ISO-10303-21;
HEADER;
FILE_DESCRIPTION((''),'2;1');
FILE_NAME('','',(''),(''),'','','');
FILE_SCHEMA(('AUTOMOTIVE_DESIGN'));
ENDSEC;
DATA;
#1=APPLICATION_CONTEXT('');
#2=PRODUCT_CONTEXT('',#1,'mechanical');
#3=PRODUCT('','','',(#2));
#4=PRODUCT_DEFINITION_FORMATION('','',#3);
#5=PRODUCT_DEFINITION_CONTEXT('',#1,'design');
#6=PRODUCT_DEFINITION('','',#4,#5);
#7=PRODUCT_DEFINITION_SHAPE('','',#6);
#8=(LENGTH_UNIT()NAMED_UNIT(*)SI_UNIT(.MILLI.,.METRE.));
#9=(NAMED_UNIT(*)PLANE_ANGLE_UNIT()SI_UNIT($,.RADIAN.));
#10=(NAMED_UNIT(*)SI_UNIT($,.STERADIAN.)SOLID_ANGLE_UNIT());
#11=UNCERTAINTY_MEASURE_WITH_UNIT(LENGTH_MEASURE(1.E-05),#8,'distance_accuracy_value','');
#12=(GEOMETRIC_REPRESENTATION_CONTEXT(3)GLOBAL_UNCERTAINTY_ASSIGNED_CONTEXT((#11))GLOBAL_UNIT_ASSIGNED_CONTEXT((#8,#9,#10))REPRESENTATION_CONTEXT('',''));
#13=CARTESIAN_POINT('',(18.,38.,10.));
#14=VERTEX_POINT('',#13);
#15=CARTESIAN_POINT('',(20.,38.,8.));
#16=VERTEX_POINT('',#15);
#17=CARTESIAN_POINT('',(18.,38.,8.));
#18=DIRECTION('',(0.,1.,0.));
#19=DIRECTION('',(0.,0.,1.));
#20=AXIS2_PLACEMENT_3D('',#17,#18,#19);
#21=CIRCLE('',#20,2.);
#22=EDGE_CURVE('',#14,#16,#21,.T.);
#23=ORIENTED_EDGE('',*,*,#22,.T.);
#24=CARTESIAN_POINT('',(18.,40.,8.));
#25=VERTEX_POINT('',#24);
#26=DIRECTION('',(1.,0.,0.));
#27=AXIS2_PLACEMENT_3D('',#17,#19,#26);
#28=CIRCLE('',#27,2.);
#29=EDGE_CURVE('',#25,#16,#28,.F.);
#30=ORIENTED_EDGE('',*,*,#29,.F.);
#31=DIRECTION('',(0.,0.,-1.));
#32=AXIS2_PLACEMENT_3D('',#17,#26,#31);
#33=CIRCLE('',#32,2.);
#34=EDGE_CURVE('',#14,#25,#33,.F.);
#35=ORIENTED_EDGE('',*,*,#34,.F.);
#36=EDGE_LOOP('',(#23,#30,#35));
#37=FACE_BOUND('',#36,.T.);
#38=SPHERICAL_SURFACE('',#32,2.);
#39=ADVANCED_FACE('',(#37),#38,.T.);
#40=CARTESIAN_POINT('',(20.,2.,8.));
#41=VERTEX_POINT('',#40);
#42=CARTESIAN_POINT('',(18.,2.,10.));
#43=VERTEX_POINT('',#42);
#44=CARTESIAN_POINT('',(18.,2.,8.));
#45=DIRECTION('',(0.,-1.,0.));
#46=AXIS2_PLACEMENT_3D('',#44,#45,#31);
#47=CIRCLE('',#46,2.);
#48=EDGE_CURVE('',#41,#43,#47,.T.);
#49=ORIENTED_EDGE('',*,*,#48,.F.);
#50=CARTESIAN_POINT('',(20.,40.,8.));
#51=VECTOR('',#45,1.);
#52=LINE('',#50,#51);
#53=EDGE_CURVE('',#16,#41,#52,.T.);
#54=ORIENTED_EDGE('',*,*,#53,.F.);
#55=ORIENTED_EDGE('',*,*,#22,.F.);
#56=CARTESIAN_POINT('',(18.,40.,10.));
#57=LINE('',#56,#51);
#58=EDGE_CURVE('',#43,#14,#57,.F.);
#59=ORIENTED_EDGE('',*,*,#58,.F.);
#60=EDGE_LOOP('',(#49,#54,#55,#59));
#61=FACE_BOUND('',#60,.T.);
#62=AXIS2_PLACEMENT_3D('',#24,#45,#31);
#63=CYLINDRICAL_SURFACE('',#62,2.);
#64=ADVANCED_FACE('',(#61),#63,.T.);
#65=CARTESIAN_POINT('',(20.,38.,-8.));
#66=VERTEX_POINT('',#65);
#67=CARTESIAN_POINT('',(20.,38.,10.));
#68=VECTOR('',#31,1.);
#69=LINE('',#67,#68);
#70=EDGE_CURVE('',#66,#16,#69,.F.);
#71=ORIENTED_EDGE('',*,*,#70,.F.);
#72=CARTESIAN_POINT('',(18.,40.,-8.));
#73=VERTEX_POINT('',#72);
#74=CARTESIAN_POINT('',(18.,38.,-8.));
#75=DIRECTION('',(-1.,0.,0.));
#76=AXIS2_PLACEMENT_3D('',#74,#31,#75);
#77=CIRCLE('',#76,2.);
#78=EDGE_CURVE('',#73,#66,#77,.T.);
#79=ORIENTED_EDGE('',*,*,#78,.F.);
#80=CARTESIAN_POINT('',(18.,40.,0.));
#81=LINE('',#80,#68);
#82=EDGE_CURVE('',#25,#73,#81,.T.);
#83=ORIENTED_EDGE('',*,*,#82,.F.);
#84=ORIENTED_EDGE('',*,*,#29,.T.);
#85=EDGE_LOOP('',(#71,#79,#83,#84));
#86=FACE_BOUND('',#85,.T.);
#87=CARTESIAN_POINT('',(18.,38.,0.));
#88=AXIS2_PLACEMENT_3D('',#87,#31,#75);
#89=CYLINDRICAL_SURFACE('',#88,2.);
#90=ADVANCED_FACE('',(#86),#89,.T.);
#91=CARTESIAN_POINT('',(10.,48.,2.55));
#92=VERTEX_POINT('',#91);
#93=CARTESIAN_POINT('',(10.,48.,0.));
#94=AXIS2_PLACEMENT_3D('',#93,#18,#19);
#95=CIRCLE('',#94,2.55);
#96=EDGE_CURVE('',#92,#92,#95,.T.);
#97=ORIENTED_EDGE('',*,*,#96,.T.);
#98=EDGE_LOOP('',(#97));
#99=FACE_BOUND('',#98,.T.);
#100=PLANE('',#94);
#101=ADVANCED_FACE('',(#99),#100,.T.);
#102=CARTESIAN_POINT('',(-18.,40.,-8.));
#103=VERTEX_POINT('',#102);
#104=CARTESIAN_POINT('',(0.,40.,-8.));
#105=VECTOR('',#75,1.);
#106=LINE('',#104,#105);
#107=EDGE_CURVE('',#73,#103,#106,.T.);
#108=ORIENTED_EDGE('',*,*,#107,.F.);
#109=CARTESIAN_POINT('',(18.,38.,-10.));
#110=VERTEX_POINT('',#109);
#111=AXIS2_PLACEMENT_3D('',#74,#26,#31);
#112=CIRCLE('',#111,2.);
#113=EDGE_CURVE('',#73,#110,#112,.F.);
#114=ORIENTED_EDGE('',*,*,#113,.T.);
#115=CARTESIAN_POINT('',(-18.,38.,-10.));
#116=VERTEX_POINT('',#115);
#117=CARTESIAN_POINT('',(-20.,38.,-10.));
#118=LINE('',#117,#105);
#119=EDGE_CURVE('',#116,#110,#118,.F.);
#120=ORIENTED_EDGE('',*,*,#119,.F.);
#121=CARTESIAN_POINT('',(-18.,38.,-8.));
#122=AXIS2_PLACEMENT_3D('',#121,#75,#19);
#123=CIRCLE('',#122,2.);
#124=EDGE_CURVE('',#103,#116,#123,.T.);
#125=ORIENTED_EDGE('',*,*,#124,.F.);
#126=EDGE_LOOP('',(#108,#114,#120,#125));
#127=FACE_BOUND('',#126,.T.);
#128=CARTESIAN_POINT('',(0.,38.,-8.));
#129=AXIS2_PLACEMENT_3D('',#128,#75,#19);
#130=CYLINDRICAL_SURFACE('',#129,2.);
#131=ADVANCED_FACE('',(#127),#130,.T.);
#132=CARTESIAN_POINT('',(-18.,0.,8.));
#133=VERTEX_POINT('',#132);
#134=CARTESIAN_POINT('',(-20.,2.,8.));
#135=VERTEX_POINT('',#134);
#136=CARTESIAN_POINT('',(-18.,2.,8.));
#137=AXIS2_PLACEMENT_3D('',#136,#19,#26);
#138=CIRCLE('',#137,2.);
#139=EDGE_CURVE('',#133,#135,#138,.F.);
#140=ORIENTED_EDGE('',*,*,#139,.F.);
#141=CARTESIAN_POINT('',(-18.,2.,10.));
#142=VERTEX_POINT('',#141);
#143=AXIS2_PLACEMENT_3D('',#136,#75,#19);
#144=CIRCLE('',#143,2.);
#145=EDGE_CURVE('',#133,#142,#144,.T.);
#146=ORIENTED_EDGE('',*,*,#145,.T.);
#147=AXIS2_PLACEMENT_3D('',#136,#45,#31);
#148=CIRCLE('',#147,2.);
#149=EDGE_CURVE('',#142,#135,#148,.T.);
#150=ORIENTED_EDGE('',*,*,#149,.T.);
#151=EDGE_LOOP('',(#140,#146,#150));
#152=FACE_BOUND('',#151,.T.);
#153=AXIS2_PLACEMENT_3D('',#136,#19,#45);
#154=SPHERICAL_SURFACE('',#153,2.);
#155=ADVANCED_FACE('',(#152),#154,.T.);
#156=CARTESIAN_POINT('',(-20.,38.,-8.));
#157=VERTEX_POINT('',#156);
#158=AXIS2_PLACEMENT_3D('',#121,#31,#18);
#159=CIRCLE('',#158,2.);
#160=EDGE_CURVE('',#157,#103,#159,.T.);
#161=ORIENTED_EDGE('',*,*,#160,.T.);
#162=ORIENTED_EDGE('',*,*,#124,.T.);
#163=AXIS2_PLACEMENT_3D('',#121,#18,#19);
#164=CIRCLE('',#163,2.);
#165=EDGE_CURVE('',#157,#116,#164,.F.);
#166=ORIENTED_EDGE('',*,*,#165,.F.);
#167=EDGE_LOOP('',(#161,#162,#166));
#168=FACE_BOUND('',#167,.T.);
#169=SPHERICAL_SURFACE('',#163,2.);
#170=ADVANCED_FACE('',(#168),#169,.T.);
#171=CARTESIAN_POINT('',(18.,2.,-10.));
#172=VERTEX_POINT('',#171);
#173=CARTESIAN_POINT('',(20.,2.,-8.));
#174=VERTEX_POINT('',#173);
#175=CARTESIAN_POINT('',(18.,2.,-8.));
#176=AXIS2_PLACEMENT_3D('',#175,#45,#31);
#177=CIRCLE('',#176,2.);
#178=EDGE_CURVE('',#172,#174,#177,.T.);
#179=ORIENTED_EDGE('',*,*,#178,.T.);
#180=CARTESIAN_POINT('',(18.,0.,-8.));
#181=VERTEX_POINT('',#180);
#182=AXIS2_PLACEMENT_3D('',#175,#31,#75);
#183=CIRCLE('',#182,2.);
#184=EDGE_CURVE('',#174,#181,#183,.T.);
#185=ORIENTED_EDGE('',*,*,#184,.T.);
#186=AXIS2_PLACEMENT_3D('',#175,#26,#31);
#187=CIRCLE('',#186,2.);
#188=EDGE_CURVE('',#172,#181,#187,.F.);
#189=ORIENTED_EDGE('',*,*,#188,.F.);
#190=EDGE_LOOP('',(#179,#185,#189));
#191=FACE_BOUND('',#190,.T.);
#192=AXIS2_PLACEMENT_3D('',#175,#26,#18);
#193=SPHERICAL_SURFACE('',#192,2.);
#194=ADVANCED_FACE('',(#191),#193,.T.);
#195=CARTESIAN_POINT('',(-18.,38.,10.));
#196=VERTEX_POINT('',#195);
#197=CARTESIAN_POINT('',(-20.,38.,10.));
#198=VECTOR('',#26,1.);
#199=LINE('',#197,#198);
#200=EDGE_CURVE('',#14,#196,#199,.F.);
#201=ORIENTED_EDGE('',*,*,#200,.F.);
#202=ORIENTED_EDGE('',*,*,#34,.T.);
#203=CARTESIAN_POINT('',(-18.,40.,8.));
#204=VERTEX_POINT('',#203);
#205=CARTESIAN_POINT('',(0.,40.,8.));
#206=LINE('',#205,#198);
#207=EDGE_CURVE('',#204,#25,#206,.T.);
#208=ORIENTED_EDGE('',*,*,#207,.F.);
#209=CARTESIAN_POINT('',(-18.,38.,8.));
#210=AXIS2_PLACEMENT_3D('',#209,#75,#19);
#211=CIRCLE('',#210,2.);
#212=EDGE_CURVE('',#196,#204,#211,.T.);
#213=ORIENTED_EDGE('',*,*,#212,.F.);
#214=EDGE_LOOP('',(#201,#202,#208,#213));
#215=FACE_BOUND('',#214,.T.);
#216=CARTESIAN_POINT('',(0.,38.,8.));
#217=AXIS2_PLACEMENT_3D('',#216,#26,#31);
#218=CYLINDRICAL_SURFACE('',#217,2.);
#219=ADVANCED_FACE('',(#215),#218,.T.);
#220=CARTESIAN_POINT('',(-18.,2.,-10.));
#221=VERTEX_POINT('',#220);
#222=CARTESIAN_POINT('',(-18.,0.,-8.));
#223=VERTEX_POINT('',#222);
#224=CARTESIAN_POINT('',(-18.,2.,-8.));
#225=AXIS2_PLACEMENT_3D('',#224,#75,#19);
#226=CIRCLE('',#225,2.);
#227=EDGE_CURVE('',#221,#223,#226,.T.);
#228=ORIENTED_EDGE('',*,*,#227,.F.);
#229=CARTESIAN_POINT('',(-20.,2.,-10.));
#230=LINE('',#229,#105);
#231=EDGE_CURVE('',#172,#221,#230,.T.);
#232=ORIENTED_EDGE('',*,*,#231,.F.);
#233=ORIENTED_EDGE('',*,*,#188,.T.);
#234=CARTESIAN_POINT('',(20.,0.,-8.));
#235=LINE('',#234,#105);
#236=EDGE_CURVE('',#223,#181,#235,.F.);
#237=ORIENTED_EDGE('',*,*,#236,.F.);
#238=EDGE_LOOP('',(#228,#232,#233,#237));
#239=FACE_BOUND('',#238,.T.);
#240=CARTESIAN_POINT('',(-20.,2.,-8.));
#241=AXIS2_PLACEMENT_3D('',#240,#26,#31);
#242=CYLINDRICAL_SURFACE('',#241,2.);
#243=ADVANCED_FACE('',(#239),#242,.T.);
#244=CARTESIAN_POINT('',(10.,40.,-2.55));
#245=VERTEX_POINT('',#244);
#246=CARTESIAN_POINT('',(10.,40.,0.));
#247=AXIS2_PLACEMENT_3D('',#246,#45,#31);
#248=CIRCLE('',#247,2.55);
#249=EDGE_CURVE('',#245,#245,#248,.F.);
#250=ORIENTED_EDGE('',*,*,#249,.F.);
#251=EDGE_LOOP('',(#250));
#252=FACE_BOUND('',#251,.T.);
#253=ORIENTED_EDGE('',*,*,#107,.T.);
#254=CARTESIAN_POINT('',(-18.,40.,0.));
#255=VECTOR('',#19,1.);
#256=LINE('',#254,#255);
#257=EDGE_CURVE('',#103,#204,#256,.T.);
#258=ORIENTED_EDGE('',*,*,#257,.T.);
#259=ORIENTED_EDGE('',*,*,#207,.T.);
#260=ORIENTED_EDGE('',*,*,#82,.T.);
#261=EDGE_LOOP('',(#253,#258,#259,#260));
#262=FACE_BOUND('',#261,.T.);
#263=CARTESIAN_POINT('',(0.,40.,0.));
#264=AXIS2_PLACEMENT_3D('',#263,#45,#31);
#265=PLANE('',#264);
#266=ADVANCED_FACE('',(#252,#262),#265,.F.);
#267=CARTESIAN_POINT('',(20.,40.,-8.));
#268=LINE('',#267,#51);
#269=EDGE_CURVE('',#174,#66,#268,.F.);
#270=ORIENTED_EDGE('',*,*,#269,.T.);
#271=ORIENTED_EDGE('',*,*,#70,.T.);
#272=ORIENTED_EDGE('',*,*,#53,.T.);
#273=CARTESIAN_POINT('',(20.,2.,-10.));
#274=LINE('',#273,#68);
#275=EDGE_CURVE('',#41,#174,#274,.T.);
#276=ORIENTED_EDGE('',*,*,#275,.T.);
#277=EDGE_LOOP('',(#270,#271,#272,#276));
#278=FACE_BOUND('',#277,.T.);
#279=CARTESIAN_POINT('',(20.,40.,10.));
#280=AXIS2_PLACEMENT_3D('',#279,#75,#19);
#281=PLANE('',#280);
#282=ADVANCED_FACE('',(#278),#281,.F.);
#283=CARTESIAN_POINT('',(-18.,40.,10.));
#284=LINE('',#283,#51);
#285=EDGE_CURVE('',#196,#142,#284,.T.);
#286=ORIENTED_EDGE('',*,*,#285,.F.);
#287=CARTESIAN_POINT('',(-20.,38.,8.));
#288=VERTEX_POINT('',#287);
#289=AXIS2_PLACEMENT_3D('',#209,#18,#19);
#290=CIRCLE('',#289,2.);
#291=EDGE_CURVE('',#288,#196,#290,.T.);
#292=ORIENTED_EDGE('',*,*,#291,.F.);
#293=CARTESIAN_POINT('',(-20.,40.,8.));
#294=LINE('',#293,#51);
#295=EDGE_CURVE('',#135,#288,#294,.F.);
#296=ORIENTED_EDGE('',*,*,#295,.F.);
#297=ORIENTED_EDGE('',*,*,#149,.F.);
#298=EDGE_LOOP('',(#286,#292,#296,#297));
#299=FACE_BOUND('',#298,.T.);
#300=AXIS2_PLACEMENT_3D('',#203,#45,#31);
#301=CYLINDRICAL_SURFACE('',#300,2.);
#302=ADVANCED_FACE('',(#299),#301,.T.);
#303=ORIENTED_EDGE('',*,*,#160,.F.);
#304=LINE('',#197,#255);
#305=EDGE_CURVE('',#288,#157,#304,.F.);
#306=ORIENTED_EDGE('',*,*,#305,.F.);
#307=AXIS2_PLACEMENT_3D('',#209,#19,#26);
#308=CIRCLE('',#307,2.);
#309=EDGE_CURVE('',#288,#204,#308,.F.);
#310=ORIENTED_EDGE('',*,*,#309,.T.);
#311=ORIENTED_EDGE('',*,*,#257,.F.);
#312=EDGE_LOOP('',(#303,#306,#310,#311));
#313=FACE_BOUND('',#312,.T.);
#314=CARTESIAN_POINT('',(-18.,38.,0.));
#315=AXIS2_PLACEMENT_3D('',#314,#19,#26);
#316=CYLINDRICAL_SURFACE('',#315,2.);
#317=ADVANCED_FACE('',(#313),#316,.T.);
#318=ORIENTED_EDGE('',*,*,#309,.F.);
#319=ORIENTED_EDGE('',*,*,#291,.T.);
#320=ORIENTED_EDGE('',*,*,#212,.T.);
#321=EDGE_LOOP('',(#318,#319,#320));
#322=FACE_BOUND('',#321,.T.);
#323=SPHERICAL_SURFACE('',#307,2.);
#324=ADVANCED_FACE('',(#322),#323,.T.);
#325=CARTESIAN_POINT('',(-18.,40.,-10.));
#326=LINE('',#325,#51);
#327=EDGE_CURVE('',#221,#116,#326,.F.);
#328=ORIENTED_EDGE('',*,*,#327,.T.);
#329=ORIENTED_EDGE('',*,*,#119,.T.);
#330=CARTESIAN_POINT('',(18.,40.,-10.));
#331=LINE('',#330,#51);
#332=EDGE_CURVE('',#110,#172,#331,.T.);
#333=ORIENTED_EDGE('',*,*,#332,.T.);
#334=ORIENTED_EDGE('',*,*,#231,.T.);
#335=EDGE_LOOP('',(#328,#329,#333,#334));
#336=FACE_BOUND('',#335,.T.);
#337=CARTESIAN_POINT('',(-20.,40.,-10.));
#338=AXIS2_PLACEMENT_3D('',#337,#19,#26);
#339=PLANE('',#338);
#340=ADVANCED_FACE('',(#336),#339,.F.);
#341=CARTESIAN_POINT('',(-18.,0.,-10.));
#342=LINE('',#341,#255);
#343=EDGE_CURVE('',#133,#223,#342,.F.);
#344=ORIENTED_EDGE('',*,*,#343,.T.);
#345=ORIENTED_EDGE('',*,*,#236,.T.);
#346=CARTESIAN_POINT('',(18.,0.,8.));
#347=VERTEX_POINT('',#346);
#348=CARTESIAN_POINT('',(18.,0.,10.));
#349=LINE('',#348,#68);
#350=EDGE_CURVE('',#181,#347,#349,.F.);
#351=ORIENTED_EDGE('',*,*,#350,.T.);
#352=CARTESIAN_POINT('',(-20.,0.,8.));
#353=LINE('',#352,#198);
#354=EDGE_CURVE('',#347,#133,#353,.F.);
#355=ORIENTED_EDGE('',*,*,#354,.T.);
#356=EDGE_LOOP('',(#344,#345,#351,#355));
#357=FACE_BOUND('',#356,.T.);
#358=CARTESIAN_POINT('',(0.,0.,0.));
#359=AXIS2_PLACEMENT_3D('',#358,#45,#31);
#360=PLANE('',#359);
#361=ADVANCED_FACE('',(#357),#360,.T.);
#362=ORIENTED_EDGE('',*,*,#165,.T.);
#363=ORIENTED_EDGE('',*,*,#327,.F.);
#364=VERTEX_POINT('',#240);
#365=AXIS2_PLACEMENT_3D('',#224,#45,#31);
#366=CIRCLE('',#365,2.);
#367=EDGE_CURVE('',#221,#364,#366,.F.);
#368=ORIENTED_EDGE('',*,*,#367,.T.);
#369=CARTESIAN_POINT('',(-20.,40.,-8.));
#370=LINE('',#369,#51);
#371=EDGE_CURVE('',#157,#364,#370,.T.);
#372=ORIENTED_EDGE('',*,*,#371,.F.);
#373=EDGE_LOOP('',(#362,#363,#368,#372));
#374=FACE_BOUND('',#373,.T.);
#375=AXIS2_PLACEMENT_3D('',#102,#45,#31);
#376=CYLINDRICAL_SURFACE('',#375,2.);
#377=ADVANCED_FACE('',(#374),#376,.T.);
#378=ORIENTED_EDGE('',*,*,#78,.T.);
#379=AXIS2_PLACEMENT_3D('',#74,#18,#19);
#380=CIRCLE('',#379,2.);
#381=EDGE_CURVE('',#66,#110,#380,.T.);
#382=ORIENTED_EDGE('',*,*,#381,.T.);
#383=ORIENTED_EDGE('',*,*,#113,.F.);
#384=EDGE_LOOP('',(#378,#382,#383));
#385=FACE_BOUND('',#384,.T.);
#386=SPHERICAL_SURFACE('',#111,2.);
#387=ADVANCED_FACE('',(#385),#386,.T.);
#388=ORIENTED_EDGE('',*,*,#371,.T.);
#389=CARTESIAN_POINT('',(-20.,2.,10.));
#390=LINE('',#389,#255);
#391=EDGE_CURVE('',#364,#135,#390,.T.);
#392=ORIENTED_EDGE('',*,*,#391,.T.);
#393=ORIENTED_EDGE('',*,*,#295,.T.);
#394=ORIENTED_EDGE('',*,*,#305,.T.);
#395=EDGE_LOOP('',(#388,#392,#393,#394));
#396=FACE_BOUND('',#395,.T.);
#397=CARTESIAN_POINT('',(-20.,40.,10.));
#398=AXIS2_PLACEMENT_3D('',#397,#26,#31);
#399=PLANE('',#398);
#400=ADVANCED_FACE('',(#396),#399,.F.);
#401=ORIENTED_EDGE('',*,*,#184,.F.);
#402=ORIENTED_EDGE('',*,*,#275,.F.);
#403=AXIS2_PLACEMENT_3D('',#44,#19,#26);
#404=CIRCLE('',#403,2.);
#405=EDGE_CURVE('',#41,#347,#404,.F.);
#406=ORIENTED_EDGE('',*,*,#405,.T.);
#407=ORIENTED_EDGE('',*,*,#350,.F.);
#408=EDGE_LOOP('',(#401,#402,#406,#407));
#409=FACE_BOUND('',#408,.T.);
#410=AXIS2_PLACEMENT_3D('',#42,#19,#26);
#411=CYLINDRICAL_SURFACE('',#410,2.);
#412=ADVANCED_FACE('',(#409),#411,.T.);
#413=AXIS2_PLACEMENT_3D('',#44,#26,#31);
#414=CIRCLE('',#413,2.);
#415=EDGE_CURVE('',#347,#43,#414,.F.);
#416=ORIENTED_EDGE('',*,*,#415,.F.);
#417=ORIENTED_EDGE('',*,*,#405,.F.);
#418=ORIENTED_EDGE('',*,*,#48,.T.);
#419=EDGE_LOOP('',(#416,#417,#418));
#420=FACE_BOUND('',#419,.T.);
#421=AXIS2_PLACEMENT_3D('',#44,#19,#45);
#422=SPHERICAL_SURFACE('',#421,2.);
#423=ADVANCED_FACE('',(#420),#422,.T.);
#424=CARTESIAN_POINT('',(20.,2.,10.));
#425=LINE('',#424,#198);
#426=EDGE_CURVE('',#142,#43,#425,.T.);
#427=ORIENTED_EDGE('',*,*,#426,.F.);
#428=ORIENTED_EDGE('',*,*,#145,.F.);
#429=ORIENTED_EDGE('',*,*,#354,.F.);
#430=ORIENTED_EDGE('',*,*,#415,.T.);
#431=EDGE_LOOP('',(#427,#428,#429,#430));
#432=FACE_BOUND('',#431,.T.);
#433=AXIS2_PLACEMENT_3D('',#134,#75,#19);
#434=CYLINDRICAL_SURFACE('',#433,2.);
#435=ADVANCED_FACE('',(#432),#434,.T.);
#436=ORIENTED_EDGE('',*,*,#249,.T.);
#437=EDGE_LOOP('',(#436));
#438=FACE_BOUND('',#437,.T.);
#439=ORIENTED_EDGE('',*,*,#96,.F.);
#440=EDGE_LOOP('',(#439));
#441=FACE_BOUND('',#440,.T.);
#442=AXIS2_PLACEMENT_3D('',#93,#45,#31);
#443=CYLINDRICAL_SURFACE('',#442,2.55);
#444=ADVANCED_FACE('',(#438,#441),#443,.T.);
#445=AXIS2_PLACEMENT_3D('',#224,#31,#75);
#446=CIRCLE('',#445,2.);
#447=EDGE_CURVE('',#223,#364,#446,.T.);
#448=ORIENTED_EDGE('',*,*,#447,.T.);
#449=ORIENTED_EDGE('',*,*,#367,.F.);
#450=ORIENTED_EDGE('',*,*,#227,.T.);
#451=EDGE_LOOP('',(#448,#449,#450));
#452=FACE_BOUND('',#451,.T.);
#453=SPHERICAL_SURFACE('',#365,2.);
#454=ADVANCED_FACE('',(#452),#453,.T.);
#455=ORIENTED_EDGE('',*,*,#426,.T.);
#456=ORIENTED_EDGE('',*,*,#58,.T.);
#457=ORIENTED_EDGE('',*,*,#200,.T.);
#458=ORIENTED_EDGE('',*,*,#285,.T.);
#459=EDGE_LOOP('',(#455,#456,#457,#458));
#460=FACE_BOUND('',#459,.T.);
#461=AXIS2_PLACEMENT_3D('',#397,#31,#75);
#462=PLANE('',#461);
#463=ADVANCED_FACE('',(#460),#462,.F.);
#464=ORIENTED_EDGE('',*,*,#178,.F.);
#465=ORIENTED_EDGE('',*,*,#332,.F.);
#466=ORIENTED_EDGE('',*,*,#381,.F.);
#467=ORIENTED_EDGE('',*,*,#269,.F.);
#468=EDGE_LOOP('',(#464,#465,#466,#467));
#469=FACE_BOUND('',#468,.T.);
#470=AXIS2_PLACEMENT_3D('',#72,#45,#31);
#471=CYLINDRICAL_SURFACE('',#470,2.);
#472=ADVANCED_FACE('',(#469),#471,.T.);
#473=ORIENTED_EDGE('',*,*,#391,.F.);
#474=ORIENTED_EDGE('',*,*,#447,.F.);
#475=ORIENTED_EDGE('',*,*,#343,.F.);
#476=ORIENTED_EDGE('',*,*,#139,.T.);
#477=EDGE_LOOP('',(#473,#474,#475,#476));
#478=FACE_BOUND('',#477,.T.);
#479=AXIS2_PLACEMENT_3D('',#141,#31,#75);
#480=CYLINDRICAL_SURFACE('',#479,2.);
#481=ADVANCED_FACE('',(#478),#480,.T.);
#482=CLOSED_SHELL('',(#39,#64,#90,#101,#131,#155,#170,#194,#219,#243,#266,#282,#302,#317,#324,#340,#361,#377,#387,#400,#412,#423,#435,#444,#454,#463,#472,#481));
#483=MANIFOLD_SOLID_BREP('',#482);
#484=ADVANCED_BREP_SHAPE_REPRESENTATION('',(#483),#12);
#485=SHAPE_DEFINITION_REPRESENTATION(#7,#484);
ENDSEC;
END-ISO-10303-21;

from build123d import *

# Parameters (mm, degrees)
SKETCH_1_W      = 40
SKETCH_1_H      = 20
EXTRUDE_1_DEPTH = 40
SKETCH_2_R      = 2.55
EXTRUDE_2_DEPTH = 8
FILLET_1_R      = 2


with BuildPart() as part:
    # 草图1 → 凸台-拉伸1 (new body)
    with BuildSketch(Plane(origin=(0, 0, 0), x_dir=(1, 0, 0), z_dir=(0, 1, 0))):
        Rectangle(SKETCH_1_W, SKETCH_1_H)
    extrude(amount=EXTRUDE_1_DEPTH)

    # 草图2 → 凸台-拉伸2 (add)
    with BuildSketch(Plane(origin=(0, 40, 0), x_dir=(1, 0, 0), z_dir=(0, 1, 0))):
        with Locations(Location((10, 0, 0), (0, 0, 90))):
            Circle(SKETCH_2_R)
    extrude(amount=EXTRUDE_2_DEPTH)

    # 圆角1
    fillet_1_edges = [part.edges().sort_by_distance(p)[0] for p in [
        (-20, 40, 0),
        (0, 40, 10),
        (20, 40, 0),
        (0, 0, 10),
        (-20, 0, 0),
        (0, 0, -10),
        (20, 0, 0),
        (20, 20, 10),
        (-20, 20, 10),
        (-20, 20, -10),
        (20, 20, -10),
        (0, 40, -10),
    ]]
    fillet(fillet_1_edges, radius=FILLET_1_R)


solid = part.part
